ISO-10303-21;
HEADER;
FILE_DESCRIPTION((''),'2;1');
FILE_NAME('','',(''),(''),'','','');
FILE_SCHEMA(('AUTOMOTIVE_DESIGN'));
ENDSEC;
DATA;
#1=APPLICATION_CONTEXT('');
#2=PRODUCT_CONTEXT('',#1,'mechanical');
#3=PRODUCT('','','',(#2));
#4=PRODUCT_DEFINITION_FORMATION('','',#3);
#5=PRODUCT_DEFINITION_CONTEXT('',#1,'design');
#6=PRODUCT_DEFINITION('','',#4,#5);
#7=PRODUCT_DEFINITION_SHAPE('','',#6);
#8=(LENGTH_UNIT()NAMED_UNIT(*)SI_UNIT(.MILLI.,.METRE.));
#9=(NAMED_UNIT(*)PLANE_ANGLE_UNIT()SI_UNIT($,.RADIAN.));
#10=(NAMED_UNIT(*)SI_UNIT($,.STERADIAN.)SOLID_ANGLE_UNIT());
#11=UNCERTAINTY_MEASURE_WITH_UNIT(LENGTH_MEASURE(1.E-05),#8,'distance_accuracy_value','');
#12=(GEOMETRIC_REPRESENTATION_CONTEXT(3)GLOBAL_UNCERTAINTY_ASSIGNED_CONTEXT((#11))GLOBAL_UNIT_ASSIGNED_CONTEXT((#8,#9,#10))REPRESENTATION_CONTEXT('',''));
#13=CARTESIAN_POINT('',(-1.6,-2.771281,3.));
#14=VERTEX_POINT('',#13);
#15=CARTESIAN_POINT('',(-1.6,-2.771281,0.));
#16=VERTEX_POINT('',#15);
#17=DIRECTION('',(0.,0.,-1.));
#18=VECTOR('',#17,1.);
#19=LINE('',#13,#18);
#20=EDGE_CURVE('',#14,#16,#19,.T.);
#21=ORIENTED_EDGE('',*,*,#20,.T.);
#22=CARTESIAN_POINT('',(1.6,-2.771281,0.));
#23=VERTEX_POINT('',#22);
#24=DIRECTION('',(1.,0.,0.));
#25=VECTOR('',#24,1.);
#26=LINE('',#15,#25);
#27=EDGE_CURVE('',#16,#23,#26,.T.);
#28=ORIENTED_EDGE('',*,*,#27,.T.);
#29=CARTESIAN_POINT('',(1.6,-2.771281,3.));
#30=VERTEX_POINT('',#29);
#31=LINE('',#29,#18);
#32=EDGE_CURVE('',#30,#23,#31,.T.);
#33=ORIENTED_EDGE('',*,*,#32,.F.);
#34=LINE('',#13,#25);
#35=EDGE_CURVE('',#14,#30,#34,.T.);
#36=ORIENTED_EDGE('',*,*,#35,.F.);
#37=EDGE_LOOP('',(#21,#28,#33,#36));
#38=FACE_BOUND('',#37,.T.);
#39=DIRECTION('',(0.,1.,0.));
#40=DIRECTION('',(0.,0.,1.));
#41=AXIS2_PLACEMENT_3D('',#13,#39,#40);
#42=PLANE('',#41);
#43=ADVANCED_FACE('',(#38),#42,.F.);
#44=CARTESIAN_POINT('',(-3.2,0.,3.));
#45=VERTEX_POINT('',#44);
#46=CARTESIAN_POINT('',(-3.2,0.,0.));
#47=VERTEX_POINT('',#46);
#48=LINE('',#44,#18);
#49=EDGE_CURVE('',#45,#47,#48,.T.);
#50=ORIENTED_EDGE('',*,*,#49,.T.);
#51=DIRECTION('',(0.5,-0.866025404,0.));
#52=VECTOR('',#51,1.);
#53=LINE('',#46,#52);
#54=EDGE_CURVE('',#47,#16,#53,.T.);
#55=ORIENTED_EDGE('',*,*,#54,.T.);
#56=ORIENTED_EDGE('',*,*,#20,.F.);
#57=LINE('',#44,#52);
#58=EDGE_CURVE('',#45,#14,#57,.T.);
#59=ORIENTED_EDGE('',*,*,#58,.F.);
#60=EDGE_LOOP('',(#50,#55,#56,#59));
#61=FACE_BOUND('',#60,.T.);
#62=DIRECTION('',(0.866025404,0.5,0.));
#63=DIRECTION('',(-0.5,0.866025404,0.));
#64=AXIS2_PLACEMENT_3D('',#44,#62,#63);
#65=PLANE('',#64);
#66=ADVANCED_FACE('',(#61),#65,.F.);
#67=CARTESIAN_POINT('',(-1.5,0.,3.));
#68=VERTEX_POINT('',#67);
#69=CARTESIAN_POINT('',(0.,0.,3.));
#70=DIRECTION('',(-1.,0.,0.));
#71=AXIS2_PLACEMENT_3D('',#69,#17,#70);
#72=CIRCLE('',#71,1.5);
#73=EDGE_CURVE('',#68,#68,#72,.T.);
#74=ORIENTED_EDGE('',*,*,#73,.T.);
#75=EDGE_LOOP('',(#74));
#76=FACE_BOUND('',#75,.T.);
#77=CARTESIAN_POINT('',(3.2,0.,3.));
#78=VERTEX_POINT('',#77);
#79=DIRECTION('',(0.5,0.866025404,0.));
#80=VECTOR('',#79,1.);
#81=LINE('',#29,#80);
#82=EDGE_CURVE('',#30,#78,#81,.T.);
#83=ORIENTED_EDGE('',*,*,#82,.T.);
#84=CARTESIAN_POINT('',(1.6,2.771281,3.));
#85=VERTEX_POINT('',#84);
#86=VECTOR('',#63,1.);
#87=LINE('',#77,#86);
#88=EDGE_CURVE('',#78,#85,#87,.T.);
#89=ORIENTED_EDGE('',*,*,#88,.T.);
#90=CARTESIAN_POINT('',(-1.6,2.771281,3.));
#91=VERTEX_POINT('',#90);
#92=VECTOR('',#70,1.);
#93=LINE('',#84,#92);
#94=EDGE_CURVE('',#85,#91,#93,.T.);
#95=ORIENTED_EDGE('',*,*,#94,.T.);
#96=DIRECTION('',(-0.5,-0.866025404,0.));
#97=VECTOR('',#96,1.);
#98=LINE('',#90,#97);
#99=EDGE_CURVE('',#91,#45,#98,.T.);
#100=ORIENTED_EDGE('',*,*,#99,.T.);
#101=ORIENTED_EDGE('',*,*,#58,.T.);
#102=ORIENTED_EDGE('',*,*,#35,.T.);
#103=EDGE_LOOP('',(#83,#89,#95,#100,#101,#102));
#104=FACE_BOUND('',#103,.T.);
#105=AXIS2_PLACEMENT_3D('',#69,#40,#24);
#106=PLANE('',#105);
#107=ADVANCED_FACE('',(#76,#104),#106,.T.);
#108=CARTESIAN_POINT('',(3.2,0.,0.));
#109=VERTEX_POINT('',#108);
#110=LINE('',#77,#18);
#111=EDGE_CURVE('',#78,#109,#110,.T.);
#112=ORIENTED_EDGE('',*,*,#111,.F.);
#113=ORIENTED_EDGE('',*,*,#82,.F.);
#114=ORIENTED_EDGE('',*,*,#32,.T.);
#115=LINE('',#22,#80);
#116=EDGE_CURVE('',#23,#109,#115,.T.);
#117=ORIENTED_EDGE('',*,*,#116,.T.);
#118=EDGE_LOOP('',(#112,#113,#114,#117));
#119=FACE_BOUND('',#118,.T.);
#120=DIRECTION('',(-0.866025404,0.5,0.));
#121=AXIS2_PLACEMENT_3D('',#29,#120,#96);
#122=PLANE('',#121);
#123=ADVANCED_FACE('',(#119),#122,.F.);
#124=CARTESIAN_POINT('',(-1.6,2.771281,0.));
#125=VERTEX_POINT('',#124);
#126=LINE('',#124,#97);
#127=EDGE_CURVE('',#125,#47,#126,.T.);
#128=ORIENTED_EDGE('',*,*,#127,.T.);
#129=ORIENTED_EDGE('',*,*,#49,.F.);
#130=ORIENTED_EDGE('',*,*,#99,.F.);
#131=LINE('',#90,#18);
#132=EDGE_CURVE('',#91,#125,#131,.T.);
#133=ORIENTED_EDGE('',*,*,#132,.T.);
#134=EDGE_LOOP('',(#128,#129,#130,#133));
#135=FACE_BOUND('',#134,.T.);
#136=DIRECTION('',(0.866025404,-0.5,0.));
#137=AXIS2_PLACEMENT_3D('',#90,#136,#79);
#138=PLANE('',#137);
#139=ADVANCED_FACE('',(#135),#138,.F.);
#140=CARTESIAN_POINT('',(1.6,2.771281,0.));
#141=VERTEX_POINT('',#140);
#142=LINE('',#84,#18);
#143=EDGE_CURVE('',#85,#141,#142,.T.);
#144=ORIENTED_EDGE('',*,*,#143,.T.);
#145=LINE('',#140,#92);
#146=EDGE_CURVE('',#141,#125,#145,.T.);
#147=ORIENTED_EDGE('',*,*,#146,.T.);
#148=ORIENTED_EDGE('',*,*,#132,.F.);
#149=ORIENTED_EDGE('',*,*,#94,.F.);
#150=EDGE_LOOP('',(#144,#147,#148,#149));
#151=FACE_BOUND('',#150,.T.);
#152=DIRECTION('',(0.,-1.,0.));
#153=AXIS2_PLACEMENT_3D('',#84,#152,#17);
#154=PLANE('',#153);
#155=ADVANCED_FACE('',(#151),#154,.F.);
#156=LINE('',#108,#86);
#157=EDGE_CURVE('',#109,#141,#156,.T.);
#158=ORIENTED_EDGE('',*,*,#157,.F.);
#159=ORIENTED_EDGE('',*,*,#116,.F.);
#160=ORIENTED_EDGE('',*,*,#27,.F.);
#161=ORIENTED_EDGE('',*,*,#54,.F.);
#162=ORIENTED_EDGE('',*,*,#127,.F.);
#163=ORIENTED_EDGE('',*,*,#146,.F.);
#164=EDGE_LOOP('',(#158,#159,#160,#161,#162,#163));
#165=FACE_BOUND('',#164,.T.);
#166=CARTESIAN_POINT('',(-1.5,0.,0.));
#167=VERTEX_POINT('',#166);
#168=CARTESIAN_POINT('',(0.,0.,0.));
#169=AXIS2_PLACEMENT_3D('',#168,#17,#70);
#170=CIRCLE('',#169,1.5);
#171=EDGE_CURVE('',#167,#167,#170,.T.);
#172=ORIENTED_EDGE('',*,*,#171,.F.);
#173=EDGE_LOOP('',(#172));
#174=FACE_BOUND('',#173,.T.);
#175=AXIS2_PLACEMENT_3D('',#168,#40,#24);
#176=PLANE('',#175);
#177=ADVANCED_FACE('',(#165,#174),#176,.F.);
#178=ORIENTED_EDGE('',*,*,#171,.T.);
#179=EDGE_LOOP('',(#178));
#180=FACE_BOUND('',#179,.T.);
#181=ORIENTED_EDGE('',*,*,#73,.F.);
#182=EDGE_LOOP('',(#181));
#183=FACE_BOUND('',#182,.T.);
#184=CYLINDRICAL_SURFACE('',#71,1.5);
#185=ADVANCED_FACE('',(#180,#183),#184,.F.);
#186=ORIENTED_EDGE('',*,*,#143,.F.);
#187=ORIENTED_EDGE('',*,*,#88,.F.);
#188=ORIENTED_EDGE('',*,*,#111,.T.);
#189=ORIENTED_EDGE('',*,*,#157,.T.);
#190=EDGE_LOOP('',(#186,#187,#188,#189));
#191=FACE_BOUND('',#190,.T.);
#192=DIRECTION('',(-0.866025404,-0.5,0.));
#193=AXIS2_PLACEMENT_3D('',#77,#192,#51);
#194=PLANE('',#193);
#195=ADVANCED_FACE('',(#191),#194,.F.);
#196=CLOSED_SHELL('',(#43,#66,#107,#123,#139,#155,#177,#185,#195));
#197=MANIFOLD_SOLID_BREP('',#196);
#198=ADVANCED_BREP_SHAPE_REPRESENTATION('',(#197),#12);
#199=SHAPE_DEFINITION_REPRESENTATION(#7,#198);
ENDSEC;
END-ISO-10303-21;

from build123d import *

# Parameters (mm, degrees)
EXTRUDE_1_DEPTH     = 3
SKETCH_2_R          = 1.5
CUT_EXTRUDE_1_DEPTH = 3


with BuildPart() as part:
    # 草图1 → 凸台-拉伸1 (new body)
    with BuildSketch(Plane.XY):
        Polygon((1.6, 2.771281292), (-1.6, 2.771281292), (-3.2, 0), (-1.6, -2.771281292), (1.6, -2.771281292), (3.2, 0), align=None)
    extrude(amount=EXTRUDE_1_DEPTH)

    # 草图2 → 切除-拉伸1 (cut)
    with BuildSketch(Plane(origin=(0, 0, 0), x_dir=(-1, 0, 0), z_dir=(0, 0, -1))):
        Circle(SKETCH_2_R)
    extrude(amount=-CUT_EXTRUDE_1_DEPTH, mode=Mode.SUBTRACT)


solid = part.part
